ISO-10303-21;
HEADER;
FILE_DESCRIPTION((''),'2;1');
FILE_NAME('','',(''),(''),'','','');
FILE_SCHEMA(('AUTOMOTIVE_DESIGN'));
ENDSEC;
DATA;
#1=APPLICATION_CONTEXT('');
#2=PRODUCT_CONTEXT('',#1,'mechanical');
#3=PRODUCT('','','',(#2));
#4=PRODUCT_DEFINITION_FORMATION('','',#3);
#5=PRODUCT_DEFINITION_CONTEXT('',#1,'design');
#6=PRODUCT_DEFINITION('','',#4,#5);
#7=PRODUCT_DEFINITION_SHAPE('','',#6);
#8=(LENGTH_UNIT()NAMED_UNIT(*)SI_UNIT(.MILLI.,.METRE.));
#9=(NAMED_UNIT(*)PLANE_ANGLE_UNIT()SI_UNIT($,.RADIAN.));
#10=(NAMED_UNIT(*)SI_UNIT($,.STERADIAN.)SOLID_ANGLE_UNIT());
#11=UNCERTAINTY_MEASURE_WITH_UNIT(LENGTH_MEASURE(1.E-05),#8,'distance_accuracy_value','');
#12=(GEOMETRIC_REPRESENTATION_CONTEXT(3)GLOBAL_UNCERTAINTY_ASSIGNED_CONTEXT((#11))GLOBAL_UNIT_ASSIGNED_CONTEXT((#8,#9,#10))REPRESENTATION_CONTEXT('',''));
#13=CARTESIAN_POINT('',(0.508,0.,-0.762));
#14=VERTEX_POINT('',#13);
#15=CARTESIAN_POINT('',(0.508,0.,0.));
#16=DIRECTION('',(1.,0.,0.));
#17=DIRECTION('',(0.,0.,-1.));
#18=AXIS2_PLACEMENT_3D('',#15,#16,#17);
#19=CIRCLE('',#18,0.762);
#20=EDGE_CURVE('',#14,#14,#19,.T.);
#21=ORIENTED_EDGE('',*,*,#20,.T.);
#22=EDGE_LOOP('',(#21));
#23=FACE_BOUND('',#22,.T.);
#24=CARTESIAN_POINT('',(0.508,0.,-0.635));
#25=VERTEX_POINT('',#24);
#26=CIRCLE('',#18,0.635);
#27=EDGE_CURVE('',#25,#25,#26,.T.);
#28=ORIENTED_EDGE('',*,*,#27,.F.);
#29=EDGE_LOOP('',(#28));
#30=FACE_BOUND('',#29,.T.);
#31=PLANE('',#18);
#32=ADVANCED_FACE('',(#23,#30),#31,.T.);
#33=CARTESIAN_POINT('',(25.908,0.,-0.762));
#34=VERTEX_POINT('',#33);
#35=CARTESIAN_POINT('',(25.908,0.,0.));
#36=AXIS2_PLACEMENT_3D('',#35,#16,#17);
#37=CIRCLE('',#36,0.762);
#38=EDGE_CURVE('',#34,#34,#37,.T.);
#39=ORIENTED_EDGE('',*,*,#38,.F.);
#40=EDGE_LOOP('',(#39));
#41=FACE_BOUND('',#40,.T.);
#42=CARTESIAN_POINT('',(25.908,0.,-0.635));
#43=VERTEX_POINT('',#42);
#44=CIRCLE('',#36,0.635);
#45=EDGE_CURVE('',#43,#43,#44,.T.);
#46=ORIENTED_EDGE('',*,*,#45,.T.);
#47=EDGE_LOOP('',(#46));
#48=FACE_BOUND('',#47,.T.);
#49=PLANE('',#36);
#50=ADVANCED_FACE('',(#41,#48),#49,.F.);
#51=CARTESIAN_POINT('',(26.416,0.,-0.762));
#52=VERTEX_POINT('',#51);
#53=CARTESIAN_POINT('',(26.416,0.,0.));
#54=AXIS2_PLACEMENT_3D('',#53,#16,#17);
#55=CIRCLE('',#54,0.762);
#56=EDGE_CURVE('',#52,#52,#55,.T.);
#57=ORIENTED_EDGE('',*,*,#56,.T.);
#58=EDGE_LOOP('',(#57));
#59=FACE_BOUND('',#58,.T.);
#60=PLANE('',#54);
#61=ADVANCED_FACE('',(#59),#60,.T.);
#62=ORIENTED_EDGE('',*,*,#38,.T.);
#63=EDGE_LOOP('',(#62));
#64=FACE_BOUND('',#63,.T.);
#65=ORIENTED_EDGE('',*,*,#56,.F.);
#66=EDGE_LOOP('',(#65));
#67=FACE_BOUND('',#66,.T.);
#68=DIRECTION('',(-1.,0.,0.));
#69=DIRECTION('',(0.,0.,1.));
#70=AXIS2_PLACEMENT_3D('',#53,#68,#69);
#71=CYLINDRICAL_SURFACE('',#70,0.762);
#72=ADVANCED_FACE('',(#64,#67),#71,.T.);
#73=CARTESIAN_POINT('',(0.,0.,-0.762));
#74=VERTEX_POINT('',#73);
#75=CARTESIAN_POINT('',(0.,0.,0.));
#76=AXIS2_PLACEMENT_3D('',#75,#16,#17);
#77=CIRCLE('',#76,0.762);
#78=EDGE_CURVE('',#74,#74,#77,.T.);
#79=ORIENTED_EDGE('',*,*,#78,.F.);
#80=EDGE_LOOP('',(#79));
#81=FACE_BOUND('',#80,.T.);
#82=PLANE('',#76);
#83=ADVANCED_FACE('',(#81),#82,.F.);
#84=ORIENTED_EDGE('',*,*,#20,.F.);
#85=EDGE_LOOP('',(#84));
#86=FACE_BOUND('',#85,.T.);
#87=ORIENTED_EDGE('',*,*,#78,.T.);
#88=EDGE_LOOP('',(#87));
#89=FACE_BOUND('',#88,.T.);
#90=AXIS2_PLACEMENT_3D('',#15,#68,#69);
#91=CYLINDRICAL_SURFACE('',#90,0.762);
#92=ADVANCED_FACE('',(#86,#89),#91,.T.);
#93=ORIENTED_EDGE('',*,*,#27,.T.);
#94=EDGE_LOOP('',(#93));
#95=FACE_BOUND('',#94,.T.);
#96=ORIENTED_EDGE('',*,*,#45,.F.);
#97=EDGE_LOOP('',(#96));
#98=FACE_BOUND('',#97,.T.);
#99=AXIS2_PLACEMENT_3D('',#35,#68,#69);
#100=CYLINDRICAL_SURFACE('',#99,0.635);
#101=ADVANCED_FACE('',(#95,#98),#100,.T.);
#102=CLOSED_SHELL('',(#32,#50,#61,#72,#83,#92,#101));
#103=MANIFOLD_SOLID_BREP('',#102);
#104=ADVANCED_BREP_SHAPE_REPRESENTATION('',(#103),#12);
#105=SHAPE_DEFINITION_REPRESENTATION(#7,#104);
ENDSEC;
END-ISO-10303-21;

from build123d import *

# Parameters (mm, degrees)
SKETCH1_R           = 0.762
BOSS_EXTRUDE1_DEPTH = 0.508
SKETCH2_R           = 0.635
BOSS_EXTRUDE2_DEPTH = 25.4
SKETCH3_R           = 0.762
BOSS_EXTRUDE3_DEPTH = 0.508


with BuildPart() as part:
    # Sketch1 → Boss-Extrude1 (new body)
    with BuildSketch(Plane(origin=(0, 0, 0), x_dir=(0, 0, -1), z_dir=(1, 0, 0))):
        Circle(SKETCH1_R)
    extrude(amount=BOSS_EXTRUDE1_DEPTH)

    # Sketch2 → Boss-Extrude2 (add)
    with BuildSketch(Plane(origin=(0.508, 0, 0), x_dir=(0, 0, -1), z_dir=(1, 0, 0))):
        Circle(SKETCH2_R)
    extrude(amount=BOSS_EXTRUDE2_DEPTH)

    # Sketch3 → Boss-Extrude3 (add)
    with BuildSketch(Plane(origin=(25.908, 0, 0), x_dir=(0, 0, -1), z_dir=(1, 0, 0))):
        Circle(SKETCH3_R)
    extrude(amount=BOSS_EXTRUDE3_DEPTH)


solid = part.part
